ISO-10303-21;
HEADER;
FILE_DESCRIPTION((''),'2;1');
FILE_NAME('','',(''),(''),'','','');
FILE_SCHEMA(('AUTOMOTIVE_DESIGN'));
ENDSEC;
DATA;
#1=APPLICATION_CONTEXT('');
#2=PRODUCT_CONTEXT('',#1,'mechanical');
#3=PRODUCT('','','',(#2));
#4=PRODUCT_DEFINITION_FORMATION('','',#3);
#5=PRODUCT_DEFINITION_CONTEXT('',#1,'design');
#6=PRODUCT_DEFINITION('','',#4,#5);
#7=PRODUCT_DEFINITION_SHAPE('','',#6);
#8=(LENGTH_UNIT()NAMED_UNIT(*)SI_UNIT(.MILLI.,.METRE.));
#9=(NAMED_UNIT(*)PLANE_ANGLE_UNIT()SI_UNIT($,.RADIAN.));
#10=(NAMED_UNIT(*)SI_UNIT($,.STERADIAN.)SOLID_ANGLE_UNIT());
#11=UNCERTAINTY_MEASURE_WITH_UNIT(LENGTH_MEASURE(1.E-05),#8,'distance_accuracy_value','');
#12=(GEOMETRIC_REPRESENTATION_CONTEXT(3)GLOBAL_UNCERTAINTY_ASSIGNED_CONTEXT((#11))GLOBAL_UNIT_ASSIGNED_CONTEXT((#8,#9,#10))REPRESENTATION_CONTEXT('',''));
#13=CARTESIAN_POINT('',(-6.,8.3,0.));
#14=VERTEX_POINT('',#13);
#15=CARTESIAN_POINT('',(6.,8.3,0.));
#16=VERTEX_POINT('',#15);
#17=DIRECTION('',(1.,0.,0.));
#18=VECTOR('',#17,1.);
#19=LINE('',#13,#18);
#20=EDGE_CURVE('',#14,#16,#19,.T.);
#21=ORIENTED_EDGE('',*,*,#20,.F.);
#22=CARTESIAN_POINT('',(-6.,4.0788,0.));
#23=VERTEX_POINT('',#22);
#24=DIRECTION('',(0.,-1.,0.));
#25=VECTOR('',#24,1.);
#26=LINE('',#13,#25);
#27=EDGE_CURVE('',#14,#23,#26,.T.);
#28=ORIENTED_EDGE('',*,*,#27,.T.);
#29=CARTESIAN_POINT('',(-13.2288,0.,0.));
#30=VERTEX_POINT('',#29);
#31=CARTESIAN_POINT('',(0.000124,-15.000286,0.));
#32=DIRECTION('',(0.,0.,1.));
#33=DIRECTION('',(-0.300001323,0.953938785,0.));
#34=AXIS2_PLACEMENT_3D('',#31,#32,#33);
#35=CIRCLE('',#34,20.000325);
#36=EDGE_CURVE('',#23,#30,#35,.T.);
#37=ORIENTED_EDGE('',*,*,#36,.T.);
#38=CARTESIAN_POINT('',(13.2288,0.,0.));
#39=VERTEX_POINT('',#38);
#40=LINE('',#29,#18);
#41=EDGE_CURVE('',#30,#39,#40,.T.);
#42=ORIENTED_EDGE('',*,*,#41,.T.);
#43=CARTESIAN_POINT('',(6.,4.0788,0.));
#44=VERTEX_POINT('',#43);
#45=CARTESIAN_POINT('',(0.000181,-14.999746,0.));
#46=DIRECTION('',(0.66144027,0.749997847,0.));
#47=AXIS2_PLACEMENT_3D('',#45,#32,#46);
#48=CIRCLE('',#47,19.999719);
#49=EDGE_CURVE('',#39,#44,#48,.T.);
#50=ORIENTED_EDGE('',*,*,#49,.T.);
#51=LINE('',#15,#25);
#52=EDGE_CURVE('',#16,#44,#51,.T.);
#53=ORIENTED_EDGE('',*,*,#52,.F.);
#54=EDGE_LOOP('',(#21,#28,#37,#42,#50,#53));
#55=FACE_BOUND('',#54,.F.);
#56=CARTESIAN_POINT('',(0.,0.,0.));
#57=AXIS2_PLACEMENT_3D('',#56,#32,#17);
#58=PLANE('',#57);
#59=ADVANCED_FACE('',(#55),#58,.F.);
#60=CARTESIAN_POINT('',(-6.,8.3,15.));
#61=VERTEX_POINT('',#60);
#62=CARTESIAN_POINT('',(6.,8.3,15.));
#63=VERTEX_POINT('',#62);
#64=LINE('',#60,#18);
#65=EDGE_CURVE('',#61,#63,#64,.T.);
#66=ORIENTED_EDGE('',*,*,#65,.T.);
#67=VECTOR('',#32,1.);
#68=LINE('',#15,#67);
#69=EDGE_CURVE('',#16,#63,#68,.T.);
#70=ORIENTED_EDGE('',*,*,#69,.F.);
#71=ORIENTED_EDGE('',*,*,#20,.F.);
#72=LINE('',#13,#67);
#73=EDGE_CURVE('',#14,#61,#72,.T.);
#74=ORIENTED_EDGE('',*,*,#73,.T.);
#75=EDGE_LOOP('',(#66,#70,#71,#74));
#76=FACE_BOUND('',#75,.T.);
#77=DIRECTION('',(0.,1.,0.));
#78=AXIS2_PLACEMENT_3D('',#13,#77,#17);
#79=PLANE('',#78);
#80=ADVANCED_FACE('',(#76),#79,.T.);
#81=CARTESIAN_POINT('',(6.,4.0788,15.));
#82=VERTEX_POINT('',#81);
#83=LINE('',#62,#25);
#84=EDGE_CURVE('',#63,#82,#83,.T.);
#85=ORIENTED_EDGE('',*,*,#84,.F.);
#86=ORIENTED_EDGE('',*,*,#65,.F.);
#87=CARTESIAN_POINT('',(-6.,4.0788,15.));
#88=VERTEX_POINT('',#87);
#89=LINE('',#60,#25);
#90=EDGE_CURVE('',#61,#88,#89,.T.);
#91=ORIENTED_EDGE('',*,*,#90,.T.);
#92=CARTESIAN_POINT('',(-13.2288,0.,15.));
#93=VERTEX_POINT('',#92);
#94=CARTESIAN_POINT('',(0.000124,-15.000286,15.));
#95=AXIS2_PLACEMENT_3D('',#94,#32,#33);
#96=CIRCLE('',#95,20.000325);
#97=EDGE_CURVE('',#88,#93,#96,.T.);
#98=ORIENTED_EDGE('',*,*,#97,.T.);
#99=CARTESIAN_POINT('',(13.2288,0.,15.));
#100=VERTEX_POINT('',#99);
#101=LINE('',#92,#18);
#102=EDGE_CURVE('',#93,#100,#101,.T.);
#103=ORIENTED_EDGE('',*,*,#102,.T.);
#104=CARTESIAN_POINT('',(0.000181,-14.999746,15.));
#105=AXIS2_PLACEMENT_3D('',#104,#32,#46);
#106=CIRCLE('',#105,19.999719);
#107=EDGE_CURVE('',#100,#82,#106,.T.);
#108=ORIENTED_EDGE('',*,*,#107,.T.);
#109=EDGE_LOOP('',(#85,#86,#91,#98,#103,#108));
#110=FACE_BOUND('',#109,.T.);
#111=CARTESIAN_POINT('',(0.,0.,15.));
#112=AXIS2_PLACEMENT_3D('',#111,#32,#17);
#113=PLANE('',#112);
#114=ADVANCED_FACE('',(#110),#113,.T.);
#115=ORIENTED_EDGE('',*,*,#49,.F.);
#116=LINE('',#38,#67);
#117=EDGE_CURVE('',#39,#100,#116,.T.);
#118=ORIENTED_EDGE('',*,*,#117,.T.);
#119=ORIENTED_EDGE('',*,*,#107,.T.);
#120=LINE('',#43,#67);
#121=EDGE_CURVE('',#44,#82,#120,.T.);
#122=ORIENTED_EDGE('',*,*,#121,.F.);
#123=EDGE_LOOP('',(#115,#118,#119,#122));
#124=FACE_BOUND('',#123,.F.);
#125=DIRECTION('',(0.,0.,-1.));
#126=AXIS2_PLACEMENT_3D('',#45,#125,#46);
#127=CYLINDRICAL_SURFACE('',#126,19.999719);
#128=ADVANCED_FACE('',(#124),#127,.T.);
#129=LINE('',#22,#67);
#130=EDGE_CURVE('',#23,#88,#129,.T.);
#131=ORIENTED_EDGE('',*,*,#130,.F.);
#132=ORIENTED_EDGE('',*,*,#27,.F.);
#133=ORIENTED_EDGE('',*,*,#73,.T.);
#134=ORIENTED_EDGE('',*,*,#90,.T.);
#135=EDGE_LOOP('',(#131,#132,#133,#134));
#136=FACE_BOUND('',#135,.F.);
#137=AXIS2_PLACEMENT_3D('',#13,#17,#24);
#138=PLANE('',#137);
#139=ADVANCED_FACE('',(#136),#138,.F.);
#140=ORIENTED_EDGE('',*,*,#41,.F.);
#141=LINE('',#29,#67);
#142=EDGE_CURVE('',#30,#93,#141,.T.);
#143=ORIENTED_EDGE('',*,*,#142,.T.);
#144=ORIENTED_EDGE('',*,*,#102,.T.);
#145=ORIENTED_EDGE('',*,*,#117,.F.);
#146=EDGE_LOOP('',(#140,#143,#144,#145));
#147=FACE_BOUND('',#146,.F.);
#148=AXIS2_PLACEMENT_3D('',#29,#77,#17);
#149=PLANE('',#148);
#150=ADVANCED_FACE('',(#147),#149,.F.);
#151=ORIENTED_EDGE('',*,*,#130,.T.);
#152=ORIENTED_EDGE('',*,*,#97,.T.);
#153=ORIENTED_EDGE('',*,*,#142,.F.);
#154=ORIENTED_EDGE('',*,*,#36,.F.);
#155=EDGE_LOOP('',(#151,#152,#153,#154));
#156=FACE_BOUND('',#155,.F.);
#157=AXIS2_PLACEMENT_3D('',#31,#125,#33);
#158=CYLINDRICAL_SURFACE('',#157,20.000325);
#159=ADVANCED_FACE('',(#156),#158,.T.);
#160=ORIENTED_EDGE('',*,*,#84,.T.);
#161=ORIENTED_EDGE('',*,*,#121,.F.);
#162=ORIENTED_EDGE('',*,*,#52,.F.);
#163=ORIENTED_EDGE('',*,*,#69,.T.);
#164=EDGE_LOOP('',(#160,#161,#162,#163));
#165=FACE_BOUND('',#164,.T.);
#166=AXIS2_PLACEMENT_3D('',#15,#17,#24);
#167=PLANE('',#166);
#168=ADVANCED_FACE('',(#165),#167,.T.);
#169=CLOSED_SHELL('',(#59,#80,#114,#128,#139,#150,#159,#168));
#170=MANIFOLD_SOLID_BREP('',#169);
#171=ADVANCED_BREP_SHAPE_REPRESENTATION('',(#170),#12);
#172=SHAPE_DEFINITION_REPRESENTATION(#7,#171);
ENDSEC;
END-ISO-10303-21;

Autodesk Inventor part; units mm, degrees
ref_plane "YZ Plane" through (0, 0, 0) normal (1, 0, 0) x (0, 1, 0)
ref_plane "XZ Plane" through (0, 0, 0) normal (0, 1, 0) x (-1, 0, 0)
ref_plane "XY Plane" through (0, 0, 0) normal (0, 0, 1) x (1, 0, 0)
sketch "Skizze1" plane through (0, 0, 0) normal (0, 0, 1) x (1, 0, 0)
  line L0 (-6, 8.3) -> (6, 8.3)
  line L1 (0, 0) -> (0, 8.3) construction
  line L2 (-6, 8.3) -> (-6, 4.0788)
  circle A0 centre (0, -15) radius 20 construction
  line L3 (6, 8.3) -> (6, 4.0788)
  line L4 (-6, 4.0788) -> (6, 4.0788) construction
  line L5 (-13.2288, 0) -> (13.2288, 0)
  arc A1 (-6, 4.0788) -> (-13.2288, 0) centre (0, -15) ccw
  arc A2 (13.2288, 0) -> (6, 4.0788) centre (0, -15) ccw
  point P0 (0, 5)
  dimension "d0" = 40
  dimension "d1" = 12
  dimension "d2" = 3.3
  dimension "d3" = 5
extrude "Extrusion1" add sketch "Skizze1" along normal blind 15
equation "\"d0\" = D"
equation "\"d1\" = Passfeder_Width_40"
equation "\"d2\" = Nabennuttiefe_40"
equation "\"d3\" = Wellennuttiefe_40"
equation "\"D\" = 40"
equation "\"Passfeder_Width_40\" = 12"
equation "\"Nabennuttiefe_40\" = 3.3"
equation "\"Wellennuttiefe_40\" = 5"
properties part number "Capston_Disc_Flachstelle"
